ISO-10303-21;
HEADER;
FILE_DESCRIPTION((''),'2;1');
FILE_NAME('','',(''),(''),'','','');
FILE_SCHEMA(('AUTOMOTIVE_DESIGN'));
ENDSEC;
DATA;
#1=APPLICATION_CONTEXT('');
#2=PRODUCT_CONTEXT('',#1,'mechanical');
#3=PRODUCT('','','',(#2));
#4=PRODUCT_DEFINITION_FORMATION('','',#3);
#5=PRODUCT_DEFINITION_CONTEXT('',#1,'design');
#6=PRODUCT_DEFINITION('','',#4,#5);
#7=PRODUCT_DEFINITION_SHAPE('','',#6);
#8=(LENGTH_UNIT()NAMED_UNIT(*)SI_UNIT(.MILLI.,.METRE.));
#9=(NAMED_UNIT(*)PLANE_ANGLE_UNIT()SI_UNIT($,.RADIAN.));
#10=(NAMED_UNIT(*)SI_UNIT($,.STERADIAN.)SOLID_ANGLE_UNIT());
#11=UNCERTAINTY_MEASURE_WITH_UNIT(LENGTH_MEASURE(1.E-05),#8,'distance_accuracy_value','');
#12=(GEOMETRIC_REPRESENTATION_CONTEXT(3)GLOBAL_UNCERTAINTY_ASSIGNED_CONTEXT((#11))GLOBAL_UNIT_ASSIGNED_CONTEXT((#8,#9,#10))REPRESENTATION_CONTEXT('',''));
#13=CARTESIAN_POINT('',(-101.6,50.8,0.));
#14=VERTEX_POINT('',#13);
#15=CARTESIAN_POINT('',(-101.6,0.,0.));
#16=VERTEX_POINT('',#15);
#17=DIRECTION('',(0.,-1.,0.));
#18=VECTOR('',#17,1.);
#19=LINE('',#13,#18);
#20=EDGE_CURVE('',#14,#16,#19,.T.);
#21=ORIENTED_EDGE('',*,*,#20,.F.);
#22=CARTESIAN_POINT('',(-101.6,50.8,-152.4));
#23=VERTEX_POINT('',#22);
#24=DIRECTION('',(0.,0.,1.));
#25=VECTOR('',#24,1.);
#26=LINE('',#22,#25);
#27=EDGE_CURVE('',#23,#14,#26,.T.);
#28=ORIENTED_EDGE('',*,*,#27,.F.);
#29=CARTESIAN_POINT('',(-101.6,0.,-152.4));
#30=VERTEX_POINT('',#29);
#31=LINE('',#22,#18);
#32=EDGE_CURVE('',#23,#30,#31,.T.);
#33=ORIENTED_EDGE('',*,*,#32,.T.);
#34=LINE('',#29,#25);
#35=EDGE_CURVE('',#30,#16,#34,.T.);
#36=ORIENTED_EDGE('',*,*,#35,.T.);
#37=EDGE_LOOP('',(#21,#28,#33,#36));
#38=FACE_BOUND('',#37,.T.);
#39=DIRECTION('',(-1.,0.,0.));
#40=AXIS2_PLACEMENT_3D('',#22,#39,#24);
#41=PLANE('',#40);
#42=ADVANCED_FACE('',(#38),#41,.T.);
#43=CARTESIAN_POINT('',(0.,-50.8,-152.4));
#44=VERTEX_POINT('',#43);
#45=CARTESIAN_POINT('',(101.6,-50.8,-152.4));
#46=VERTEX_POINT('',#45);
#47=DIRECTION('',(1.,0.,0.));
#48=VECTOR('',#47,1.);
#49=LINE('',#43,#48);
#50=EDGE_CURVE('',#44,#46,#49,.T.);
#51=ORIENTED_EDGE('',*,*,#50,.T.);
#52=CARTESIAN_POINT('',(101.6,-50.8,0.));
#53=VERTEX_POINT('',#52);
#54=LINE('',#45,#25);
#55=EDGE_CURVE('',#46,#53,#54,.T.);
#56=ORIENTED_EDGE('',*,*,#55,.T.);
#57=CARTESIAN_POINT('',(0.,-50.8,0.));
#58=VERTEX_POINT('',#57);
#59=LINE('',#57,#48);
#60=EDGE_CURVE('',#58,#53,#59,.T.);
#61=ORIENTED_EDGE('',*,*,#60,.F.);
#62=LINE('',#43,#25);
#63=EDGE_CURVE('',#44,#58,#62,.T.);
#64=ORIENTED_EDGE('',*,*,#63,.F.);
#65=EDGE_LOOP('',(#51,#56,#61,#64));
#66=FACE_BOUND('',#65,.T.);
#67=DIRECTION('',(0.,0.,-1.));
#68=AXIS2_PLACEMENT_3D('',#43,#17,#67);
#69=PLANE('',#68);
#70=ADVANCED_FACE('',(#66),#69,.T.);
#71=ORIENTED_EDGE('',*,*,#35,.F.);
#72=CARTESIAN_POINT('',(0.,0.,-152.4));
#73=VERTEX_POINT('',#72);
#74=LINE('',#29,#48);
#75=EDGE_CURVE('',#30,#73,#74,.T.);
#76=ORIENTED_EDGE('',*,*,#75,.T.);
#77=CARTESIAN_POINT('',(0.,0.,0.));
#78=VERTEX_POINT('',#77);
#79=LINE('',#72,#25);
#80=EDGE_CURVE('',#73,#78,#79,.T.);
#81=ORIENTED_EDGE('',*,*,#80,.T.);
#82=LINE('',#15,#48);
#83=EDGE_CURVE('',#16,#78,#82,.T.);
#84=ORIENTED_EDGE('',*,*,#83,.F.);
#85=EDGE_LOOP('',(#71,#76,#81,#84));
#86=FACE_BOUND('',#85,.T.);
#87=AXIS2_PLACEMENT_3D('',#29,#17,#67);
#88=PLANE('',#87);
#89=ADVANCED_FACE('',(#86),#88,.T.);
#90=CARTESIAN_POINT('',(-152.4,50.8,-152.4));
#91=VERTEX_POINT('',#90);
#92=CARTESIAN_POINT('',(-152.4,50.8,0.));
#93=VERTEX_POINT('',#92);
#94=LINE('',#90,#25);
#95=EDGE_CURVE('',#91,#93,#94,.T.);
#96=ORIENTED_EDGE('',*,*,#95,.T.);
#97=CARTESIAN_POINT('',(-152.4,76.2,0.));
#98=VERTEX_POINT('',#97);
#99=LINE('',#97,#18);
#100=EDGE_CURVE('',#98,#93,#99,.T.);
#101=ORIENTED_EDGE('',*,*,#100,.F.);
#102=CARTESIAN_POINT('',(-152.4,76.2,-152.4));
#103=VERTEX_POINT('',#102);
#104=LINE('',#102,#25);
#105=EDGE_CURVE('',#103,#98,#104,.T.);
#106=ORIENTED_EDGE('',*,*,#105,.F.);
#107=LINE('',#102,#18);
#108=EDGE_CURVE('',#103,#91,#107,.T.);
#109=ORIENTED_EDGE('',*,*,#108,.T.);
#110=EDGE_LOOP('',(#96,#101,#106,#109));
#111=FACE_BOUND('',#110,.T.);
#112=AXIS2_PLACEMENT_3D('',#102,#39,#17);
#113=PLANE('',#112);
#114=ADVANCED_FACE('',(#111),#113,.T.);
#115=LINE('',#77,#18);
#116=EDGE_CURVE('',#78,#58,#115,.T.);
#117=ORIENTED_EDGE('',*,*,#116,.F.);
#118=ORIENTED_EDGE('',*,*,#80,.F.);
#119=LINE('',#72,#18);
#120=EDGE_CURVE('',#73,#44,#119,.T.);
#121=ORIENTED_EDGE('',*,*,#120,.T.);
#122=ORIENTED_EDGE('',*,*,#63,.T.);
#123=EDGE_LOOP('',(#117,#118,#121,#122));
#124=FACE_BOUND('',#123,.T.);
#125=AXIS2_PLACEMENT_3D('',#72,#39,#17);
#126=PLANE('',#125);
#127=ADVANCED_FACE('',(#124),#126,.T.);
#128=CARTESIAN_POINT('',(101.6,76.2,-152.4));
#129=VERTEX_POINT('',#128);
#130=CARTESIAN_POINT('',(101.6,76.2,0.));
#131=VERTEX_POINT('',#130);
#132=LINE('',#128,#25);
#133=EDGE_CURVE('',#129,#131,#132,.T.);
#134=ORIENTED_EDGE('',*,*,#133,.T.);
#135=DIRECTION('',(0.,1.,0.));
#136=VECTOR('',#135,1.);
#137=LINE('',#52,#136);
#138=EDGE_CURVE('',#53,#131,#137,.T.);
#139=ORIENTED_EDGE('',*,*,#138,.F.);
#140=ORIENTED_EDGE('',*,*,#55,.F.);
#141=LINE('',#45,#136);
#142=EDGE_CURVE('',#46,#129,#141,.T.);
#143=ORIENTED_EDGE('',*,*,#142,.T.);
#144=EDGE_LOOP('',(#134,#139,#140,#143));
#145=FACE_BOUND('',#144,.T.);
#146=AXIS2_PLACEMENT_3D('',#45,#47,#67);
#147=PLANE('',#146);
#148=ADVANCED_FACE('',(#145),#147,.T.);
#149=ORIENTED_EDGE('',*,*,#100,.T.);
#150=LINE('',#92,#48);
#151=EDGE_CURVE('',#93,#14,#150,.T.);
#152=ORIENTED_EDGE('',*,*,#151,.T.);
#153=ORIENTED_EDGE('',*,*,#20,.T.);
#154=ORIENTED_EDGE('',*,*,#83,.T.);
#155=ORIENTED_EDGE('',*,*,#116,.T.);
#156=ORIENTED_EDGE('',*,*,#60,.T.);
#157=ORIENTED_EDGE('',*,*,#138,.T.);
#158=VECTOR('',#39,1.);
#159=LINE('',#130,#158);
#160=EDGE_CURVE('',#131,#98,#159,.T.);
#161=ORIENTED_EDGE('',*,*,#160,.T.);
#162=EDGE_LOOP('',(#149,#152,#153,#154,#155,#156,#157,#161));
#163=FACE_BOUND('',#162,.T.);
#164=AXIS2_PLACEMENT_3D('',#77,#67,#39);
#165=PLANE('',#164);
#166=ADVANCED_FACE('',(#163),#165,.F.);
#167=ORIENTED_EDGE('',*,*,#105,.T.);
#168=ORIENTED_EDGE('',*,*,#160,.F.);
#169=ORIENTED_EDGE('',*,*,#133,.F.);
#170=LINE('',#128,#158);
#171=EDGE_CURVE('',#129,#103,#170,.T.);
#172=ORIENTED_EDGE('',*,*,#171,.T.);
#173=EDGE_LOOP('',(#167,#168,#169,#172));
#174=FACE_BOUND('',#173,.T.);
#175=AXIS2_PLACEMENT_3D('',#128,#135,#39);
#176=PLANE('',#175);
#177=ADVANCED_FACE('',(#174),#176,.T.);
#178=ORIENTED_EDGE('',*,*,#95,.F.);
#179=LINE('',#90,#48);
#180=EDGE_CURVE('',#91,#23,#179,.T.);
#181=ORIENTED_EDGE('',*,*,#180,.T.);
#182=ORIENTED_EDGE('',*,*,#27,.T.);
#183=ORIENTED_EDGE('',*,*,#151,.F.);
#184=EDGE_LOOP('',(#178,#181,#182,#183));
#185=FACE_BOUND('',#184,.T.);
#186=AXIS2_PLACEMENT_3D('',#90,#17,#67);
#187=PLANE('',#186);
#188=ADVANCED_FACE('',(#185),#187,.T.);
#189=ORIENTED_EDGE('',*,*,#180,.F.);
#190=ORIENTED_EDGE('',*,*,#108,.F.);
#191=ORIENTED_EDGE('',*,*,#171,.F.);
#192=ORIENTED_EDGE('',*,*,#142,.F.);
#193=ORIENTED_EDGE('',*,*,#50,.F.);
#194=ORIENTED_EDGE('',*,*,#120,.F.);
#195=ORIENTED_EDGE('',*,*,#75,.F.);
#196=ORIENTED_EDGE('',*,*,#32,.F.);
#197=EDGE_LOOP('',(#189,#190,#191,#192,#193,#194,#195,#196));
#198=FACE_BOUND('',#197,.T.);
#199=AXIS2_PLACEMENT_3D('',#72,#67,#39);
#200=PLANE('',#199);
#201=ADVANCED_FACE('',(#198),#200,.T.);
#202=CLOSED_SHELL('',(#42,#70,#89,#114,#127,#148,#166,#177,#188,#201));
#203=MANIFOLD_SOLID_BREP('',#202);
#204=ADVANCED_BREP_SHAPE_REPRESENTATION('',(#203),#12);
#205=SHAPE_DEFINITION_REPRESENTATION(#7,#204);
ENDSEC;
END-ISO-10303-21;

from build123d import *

# Parameters (mm, degrees)
BOSS_EXTRUDE3_DEPTH = 152.4


with BuildPart() as part:
    # Sketch1 → Boss-Extrude3 (new body)
    with BuildSketch(Plane.XY):
        Polygon((0, 0), (0, -50.8), (101.6, -50.8), (101.6, 76.2), (-152.4, 76.2), (-152.4, 50.8), (-101.6, 50.8), (-101.6, 0), align=None)
    extrude(amount=-BOSS_EXTRUDE3_DEPTH)


solid = part.part
